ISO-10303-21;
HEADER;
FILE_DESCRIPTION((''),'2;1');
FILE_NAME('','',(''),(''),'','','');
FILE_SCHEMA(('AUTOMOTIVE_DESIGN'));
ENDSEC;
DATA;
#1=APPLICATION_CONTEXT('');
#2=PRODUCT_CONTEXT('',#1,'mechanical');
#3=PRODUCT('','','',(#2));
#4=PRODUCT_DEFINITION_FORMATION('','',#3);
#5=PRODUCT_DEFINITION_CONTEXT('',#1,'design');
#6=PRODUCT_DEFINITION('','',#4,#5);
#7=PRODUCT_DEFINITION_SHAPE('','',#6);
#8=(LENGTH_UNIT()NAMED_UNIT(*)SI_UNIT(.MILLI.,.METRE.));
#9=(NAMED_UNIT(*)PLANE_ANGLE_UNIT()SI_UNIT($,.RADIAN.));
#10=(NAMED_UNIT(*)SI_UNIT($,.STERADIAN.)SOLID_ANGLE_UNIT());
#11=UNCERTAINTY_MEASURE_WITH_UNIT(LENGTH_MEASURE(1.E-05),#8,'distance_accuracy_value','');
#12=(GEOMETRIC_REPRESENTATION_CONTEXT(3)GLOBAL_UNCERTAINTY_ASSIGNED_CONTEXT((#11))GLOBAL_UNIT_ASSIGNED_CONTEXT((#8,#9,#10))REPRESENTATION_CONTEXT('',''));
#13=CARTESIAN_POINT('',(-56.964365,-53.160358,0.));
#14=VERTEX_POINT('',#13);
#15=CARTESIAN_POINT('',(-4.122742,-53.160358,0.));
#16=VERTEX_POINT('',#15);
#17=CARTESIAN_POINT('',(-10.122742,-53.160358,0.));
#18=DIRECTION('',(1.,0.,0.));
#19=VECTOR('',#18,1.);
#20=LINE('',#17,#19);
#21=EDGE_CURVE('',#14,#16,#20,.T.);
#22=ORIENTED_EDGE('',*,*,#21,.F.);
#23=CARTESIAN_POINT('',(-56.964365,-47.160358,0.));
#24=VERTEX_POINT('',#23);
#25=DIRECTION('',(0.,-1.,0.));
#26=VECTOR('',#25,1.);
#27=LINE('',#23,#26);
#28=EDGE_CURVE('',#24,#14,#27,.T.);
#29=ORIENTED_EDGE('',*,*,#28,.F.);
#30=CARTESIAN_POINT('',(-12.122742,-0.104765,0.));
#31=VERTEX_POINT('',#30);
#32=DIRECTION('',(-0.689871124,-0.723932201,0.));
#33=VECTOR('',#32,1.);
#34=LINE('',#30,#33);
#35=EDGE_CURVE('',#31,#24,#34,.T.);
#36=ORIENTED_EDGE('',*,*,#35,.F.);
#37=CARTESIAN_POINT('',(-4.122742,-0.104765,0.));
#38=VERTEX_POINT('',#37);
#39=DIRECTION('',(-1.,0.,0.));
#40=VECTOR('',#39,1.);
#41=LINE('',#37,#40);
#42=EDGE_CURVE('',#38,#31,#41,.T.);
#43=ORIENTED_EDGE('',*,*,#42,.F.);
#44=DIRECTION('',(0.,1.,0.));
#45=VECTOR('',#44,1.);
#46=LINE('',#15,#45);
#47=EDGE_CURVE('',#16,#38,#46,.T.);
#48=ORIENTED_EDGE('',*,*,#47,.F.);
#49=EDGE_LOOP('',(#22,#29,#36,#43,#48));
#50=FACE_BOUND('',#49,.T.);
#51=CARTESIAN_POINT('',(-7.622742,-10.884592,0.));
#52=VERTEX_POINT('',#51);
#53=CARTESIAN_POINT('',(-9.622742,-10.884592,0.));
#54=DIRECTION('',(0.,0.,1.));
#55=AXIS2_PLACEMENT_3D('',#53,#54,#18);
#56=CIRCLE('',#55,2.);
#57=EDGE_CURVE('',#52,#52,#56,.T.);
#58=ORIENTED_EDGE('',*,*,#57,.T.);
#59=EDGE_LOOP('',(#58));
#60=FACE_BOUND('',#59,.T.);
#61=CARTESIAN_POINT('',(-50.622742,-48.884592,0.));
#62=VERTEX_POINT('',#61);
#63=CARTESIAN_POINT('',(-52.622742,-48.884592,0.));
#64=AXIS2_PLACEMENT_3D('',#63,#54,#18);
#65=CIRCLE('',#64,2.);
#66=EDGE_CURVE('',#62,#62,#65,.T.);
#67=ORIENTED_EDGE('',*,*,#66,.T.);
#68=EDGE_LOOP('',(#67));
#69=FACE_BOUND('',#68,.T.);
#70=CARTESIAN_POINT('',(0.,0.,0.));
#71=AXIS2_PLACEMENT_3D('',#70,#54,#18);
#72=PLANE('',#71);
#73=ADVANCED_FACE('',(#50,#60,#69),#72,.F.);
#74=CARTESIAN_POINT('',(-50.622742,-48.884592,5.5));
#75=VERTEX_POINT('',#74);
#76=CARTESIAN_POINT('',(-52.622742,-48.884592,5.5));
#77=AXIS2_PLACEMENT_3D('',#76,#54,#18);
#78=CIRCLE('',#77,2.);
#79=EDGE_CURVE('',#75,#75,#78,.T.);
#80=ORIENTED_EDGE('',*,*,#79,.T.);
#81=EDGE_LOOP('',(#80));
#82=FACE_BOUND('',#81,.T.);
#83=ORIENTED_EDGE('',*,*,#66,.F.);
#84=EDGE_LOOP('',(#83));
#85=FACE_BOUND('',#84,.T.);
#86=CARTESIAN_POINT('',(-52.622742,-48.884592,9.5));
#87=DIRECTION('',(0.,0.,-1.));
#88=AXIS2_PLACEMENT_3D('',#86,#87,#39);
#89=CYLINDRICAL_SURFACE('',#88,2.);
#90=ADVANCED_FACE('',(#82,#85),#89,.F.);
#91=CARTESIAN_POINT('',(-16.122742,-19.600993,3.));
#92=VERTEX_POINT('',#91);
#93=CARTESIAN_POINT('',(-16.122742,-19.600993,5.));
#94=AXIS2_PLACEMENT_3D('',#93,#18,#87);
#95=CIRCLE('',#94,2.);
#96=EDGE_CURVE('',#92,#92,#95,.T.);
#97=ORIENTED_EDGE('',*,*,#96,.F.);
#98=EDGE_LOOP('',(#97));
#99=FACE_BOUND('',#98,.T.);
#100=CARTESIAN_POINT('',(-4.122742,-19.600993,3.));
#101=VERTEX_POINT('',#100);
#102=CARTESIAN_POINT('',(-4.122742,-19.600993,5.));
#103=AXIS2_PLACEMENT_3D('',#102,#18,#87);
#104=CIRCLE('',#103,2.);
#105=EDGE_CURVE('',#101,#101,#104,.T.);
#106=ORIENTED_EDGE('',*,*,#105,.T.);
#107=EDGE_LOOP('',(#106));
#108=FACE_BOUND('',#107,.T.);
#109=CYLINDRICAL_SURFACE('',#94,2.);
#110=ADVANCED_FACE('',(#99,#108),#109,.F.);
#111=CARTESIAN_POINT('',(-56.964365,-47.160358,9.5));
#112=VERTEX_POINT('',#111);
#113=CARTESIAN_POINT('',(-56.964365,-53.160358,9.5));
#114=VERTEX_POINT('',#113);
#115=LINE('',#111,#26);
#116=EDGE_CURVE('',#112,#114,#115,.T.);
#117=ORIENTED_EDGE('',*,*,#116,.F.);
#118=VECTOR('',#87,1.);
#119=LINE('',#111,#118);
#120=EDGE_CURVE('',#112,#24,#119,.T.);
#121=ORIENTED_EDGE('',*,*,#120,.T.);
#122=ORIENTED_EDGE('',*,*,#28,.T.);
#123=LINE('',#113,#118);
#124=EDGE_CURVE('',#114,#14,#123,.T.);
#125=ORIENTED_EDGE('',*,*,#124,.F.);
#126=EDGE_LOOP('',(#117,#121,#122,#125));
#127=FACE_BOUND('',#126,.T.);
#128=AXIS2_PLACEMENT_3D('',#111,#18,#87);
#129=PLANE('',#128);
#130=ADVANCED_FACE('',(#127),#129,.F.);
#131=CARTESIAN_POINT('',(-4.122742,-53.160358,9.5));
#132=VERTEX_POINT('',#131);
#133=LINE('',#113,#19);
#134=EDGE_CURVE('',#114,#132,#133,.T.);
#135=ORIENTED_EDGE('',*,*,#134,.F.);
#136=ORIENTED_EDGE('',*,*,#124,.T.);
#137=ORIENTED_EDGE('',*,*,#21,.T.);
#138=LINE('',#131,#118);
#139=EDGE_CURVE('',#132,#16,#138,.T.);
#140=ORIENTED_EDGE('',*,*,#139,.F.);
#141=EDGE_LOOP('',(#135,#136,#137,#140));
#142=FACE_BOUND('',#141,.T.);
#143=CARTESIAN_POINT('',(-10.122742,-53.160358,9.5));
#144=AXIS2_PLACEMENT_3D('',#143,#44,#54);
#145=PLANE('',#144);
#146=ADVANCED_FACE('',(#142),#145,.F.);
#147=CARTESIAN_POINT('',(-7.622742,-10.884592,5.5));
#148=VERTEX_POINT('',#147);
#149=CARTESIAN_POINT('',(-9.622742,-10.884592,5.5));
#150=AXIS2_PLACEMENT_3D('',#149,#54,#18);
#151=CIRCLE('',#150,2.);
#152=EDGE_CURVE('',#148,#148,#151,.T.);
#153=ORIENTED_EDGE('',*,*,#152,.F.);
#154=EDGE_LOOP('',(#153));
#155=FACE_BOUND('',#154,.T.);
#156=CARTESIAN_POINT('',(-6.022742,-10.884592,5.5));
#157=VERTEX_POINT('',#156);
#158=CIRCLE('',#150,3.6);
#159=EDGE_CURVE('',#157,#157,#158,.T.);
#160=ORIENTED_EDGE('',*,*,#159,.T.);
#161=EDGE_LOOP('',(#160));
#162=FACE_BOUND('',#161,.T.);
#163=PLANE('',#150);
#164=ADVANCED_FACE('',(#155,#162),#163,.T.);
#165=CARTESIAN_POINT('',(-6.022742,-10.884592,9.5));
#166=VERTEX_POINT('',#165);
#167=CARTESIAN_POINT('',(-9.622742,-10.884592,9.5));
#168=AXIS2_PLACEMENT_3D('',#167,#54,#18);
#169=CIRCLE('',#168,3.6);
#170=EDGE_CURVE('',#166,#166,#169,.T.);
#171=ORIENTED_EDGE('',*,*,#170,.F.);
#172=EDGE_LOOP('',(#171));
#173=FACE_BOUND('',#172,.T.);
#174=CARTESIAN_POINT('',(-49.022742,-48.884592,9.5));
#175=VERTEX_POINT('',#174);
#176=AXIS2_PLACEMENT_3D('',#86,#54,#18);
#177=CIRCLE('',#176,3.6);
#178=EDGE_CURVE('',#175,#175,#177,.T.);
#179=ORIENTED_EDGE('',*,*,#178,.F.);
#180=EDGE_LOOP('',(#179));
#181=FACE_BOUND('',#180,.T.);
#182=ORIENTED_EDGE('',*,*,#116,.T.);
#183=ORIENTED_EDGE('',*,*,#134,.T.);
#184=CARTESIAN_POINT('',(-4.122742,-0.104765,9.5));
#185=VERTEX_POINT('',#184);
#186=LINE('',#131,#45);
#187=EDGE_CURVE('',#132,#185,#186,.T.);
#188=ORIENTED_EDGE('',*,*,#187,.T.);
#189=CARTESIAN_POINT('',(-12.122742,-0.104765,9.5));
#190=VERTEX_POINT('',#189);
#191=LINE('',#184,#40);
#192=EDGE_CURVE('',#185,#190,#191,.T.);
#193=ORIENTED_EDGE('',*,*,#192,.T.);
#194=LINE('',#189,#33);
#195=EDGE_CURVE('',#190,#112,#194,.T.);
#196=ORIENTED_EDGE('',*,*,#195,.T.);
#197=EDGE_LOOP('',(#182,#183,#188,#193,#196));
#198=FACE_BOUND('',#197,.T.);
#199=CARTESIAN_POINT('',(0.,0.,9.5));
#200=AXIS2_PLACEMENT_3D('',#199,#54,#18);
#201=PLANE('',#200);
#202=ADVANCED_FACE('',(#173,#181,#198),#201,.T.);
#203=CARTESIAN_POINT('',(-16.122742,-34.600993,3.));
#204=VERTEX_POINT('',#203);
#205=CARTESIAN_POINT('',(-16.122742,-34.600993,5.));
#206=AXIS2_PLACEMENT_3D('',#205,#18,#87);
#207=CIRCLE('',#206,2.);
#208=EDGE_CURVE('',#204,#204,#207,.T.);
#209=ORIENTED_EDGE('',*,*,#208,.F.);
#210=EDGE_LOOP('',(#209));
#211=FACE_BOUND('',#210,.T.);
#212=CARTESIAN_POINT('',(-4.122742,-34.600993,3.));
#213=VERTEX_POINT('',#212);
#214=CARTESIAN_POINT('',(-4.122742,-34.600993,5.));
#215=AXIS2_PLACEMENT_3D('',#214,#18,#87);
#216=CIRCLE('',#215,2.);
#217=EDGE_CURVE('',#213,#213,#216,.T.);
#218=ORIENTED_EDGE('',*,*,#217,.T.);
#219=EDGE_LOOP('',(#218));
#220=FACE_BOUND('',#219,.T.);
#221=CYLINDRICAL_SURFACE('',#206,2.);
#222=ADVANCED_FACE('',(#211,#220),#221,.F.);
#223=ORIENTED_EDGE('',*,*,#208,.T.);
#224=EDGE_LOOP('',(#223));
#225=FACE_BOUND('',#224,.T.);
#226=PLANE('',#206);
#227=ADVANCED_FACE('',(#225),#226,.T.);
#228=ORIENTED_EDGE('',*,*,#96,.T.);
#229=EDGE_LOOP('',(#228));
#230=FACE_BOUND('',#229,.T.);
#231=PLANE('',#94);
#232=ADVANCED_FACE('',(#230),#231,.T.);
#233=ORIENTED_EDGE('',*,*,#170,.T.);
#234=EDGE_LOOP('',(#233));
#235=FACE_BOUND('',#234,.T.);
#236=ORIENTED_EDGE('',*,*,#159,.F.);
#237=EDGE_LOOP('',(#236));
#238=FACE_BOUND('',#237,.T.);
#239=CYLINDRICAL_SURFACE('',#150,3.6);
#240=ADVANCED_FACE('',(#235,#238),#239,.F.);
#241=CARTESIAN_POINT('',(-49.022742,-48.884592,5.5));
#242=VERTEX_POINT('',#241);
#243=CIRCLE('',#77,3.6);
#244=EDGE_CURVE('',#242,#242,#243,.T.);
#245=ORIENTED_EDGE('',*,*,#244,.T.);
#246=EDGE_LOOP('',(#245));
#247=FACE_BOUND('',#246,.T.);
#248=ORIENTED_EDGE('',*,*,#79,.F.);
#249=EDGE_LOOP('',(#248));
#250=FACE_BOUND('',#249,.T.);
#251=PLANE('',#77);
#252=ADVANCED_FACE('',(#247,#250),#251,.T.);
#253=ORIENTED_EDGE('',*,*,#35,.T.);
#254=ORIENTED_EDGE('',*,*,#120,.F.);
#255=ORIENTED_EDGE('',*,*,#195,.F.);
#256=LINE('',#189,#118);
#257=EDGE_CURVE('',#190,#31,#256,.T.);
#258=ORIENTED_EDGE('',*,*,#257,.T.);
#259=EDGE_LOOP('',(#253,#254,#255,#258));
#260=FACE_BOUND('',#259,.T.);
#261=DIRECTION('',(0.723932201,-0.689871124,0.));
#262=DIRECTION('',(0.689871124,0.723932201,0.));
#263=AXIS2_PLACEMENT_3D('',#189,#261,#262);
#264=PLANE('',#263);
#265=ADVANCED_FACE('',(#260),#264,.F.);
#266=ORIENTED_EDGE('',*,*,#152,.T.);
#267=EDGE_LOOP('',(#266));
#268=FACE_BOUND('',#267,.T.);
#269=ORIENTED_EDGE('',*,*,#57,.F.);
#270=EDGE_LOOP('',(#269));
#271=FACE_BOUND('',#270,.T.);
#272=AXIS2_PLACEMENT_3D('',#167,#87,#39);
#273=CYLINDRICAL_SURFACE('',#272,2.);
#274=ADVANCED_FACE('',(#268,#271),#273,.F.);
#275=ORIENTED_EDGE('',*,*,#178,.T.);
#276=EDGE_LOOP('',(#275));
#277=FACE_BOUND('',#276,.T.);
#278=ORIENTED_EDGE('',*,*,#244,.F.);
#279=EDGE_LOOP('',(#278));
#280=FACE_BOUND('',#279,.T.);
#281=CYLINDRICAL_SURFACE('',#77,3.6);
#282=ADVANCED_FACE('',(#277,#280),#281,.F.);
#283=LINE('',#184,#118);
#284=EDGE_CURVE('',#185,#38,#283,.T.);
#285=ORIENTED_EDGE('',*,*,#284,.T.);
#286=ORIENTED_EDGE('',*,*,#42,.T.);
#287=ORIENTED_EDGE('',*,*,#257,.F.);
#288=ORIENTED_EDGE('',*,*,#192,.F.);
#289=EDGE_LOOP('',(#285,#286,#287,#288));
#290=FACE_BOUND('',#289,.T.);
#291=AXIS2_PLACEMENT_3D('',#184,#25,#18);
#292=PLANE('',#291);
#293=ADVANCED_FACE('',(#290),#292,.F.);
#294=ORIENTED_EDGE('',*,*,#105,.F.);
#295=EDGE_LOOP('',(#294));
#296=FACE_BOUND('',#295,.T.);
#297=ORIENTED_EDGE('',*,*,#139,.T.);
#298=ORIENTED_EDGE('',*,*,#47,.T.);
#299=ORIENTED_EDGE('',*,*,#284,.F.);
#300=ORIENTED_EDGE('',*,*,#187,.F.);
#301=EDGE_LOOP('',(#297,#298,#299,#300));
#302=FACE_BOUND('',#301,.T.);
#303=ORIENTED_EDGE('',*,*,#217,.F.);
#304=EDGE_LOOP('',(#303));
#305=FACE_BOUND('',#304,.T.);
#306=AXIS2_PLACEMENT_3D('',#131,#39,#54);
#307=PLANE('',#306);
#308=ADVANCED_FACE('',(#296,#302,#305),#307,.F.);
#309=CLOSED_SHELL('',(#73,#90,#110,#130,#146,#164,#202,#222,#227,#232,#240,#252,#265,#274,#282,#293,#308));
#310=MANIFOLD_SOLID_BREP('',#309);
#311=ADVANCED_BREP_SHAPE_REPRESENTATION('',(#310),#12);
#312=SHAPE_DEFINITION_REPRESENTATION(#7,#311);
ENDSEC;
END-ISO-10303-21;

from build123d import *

# Parameters (mm, degrees)
SKETCH1_R           = 2
BOSS_EXTRUDE1_DEPTH = 9.5
SKETCH2_R           = 2
CUT_EXTRUDE1_DEPTH  = 12
SKETCH3_R           = 3.6
CUT_EXTRUDE2_DEPTH  = 4
SKETCH4_R           = 3.6
CUT_EXTRUDE3_DEPTH  = 4


with BuildPart() as part:
    # Sketch1 → Boss-Extrude1 (new body)
    with BuildSketch(Plane.XY):
        Polygon((-4.122741548, -0.104764568), (-12.122741548, -0.104764568), (-56.964364606, -47.160357663), (-56.964364606, -53.160357663), (-10.122741548, -53.160357663), (-4.122741548, -53.160357663), align=None)
        with Locations((-52.622741548, -48.884592163)):
            Circle(SKETCH1_R, mode=Mode.SUBTRACT)
        with Locations((-9.622741548, -10.884592163)):
            Circle(SKETCH1_R, mode=Mode.SUBTRACT)
    extrude(amount=BOSS_EXTRUDE1_DEPTH)

    # Sketch2 → Cut-Extrude1 (cut)
    with BuildSketch(Plane(origin=(-4.122741548, 0, 0), x_dir=(0, 0, -1), z_dir=(1, 0, 0))):
        with Locations((-5, -19.600993214)):
            Circle(SKETCH2_R)
        with Locations((-5, -34.600993214)):
            Circle(SKETCH2_R)
    extrude(amount=-CUT_EXTRUDE1_DEPTH, mode=Mode.SUBTRACT)

    # Sketch3 → Cut-Extrude2 (cut)
    with BuildSketch(Plane.XY.offset(9.5)):
        with Locations((-52.622741548, -48.884592163)):
            Circle(SKETCH3_R)
    extrude(amount=-CUT_EXTRUDE2_DEPTH, mode=Mode.SUBTRACT)

    # Sketch4 → Cut-Extrude3 (cut)
    with BuildSketch(Plane.XY.offset(9.5)):
        with Locations((-9.622741548, -10.884592163)):
            Circle(SKETCH4_R)
    extrude(amount=-CUT_EXTRUDE3_DEPTH, mode=Mode.SUBTRACT)


solid = part.part
